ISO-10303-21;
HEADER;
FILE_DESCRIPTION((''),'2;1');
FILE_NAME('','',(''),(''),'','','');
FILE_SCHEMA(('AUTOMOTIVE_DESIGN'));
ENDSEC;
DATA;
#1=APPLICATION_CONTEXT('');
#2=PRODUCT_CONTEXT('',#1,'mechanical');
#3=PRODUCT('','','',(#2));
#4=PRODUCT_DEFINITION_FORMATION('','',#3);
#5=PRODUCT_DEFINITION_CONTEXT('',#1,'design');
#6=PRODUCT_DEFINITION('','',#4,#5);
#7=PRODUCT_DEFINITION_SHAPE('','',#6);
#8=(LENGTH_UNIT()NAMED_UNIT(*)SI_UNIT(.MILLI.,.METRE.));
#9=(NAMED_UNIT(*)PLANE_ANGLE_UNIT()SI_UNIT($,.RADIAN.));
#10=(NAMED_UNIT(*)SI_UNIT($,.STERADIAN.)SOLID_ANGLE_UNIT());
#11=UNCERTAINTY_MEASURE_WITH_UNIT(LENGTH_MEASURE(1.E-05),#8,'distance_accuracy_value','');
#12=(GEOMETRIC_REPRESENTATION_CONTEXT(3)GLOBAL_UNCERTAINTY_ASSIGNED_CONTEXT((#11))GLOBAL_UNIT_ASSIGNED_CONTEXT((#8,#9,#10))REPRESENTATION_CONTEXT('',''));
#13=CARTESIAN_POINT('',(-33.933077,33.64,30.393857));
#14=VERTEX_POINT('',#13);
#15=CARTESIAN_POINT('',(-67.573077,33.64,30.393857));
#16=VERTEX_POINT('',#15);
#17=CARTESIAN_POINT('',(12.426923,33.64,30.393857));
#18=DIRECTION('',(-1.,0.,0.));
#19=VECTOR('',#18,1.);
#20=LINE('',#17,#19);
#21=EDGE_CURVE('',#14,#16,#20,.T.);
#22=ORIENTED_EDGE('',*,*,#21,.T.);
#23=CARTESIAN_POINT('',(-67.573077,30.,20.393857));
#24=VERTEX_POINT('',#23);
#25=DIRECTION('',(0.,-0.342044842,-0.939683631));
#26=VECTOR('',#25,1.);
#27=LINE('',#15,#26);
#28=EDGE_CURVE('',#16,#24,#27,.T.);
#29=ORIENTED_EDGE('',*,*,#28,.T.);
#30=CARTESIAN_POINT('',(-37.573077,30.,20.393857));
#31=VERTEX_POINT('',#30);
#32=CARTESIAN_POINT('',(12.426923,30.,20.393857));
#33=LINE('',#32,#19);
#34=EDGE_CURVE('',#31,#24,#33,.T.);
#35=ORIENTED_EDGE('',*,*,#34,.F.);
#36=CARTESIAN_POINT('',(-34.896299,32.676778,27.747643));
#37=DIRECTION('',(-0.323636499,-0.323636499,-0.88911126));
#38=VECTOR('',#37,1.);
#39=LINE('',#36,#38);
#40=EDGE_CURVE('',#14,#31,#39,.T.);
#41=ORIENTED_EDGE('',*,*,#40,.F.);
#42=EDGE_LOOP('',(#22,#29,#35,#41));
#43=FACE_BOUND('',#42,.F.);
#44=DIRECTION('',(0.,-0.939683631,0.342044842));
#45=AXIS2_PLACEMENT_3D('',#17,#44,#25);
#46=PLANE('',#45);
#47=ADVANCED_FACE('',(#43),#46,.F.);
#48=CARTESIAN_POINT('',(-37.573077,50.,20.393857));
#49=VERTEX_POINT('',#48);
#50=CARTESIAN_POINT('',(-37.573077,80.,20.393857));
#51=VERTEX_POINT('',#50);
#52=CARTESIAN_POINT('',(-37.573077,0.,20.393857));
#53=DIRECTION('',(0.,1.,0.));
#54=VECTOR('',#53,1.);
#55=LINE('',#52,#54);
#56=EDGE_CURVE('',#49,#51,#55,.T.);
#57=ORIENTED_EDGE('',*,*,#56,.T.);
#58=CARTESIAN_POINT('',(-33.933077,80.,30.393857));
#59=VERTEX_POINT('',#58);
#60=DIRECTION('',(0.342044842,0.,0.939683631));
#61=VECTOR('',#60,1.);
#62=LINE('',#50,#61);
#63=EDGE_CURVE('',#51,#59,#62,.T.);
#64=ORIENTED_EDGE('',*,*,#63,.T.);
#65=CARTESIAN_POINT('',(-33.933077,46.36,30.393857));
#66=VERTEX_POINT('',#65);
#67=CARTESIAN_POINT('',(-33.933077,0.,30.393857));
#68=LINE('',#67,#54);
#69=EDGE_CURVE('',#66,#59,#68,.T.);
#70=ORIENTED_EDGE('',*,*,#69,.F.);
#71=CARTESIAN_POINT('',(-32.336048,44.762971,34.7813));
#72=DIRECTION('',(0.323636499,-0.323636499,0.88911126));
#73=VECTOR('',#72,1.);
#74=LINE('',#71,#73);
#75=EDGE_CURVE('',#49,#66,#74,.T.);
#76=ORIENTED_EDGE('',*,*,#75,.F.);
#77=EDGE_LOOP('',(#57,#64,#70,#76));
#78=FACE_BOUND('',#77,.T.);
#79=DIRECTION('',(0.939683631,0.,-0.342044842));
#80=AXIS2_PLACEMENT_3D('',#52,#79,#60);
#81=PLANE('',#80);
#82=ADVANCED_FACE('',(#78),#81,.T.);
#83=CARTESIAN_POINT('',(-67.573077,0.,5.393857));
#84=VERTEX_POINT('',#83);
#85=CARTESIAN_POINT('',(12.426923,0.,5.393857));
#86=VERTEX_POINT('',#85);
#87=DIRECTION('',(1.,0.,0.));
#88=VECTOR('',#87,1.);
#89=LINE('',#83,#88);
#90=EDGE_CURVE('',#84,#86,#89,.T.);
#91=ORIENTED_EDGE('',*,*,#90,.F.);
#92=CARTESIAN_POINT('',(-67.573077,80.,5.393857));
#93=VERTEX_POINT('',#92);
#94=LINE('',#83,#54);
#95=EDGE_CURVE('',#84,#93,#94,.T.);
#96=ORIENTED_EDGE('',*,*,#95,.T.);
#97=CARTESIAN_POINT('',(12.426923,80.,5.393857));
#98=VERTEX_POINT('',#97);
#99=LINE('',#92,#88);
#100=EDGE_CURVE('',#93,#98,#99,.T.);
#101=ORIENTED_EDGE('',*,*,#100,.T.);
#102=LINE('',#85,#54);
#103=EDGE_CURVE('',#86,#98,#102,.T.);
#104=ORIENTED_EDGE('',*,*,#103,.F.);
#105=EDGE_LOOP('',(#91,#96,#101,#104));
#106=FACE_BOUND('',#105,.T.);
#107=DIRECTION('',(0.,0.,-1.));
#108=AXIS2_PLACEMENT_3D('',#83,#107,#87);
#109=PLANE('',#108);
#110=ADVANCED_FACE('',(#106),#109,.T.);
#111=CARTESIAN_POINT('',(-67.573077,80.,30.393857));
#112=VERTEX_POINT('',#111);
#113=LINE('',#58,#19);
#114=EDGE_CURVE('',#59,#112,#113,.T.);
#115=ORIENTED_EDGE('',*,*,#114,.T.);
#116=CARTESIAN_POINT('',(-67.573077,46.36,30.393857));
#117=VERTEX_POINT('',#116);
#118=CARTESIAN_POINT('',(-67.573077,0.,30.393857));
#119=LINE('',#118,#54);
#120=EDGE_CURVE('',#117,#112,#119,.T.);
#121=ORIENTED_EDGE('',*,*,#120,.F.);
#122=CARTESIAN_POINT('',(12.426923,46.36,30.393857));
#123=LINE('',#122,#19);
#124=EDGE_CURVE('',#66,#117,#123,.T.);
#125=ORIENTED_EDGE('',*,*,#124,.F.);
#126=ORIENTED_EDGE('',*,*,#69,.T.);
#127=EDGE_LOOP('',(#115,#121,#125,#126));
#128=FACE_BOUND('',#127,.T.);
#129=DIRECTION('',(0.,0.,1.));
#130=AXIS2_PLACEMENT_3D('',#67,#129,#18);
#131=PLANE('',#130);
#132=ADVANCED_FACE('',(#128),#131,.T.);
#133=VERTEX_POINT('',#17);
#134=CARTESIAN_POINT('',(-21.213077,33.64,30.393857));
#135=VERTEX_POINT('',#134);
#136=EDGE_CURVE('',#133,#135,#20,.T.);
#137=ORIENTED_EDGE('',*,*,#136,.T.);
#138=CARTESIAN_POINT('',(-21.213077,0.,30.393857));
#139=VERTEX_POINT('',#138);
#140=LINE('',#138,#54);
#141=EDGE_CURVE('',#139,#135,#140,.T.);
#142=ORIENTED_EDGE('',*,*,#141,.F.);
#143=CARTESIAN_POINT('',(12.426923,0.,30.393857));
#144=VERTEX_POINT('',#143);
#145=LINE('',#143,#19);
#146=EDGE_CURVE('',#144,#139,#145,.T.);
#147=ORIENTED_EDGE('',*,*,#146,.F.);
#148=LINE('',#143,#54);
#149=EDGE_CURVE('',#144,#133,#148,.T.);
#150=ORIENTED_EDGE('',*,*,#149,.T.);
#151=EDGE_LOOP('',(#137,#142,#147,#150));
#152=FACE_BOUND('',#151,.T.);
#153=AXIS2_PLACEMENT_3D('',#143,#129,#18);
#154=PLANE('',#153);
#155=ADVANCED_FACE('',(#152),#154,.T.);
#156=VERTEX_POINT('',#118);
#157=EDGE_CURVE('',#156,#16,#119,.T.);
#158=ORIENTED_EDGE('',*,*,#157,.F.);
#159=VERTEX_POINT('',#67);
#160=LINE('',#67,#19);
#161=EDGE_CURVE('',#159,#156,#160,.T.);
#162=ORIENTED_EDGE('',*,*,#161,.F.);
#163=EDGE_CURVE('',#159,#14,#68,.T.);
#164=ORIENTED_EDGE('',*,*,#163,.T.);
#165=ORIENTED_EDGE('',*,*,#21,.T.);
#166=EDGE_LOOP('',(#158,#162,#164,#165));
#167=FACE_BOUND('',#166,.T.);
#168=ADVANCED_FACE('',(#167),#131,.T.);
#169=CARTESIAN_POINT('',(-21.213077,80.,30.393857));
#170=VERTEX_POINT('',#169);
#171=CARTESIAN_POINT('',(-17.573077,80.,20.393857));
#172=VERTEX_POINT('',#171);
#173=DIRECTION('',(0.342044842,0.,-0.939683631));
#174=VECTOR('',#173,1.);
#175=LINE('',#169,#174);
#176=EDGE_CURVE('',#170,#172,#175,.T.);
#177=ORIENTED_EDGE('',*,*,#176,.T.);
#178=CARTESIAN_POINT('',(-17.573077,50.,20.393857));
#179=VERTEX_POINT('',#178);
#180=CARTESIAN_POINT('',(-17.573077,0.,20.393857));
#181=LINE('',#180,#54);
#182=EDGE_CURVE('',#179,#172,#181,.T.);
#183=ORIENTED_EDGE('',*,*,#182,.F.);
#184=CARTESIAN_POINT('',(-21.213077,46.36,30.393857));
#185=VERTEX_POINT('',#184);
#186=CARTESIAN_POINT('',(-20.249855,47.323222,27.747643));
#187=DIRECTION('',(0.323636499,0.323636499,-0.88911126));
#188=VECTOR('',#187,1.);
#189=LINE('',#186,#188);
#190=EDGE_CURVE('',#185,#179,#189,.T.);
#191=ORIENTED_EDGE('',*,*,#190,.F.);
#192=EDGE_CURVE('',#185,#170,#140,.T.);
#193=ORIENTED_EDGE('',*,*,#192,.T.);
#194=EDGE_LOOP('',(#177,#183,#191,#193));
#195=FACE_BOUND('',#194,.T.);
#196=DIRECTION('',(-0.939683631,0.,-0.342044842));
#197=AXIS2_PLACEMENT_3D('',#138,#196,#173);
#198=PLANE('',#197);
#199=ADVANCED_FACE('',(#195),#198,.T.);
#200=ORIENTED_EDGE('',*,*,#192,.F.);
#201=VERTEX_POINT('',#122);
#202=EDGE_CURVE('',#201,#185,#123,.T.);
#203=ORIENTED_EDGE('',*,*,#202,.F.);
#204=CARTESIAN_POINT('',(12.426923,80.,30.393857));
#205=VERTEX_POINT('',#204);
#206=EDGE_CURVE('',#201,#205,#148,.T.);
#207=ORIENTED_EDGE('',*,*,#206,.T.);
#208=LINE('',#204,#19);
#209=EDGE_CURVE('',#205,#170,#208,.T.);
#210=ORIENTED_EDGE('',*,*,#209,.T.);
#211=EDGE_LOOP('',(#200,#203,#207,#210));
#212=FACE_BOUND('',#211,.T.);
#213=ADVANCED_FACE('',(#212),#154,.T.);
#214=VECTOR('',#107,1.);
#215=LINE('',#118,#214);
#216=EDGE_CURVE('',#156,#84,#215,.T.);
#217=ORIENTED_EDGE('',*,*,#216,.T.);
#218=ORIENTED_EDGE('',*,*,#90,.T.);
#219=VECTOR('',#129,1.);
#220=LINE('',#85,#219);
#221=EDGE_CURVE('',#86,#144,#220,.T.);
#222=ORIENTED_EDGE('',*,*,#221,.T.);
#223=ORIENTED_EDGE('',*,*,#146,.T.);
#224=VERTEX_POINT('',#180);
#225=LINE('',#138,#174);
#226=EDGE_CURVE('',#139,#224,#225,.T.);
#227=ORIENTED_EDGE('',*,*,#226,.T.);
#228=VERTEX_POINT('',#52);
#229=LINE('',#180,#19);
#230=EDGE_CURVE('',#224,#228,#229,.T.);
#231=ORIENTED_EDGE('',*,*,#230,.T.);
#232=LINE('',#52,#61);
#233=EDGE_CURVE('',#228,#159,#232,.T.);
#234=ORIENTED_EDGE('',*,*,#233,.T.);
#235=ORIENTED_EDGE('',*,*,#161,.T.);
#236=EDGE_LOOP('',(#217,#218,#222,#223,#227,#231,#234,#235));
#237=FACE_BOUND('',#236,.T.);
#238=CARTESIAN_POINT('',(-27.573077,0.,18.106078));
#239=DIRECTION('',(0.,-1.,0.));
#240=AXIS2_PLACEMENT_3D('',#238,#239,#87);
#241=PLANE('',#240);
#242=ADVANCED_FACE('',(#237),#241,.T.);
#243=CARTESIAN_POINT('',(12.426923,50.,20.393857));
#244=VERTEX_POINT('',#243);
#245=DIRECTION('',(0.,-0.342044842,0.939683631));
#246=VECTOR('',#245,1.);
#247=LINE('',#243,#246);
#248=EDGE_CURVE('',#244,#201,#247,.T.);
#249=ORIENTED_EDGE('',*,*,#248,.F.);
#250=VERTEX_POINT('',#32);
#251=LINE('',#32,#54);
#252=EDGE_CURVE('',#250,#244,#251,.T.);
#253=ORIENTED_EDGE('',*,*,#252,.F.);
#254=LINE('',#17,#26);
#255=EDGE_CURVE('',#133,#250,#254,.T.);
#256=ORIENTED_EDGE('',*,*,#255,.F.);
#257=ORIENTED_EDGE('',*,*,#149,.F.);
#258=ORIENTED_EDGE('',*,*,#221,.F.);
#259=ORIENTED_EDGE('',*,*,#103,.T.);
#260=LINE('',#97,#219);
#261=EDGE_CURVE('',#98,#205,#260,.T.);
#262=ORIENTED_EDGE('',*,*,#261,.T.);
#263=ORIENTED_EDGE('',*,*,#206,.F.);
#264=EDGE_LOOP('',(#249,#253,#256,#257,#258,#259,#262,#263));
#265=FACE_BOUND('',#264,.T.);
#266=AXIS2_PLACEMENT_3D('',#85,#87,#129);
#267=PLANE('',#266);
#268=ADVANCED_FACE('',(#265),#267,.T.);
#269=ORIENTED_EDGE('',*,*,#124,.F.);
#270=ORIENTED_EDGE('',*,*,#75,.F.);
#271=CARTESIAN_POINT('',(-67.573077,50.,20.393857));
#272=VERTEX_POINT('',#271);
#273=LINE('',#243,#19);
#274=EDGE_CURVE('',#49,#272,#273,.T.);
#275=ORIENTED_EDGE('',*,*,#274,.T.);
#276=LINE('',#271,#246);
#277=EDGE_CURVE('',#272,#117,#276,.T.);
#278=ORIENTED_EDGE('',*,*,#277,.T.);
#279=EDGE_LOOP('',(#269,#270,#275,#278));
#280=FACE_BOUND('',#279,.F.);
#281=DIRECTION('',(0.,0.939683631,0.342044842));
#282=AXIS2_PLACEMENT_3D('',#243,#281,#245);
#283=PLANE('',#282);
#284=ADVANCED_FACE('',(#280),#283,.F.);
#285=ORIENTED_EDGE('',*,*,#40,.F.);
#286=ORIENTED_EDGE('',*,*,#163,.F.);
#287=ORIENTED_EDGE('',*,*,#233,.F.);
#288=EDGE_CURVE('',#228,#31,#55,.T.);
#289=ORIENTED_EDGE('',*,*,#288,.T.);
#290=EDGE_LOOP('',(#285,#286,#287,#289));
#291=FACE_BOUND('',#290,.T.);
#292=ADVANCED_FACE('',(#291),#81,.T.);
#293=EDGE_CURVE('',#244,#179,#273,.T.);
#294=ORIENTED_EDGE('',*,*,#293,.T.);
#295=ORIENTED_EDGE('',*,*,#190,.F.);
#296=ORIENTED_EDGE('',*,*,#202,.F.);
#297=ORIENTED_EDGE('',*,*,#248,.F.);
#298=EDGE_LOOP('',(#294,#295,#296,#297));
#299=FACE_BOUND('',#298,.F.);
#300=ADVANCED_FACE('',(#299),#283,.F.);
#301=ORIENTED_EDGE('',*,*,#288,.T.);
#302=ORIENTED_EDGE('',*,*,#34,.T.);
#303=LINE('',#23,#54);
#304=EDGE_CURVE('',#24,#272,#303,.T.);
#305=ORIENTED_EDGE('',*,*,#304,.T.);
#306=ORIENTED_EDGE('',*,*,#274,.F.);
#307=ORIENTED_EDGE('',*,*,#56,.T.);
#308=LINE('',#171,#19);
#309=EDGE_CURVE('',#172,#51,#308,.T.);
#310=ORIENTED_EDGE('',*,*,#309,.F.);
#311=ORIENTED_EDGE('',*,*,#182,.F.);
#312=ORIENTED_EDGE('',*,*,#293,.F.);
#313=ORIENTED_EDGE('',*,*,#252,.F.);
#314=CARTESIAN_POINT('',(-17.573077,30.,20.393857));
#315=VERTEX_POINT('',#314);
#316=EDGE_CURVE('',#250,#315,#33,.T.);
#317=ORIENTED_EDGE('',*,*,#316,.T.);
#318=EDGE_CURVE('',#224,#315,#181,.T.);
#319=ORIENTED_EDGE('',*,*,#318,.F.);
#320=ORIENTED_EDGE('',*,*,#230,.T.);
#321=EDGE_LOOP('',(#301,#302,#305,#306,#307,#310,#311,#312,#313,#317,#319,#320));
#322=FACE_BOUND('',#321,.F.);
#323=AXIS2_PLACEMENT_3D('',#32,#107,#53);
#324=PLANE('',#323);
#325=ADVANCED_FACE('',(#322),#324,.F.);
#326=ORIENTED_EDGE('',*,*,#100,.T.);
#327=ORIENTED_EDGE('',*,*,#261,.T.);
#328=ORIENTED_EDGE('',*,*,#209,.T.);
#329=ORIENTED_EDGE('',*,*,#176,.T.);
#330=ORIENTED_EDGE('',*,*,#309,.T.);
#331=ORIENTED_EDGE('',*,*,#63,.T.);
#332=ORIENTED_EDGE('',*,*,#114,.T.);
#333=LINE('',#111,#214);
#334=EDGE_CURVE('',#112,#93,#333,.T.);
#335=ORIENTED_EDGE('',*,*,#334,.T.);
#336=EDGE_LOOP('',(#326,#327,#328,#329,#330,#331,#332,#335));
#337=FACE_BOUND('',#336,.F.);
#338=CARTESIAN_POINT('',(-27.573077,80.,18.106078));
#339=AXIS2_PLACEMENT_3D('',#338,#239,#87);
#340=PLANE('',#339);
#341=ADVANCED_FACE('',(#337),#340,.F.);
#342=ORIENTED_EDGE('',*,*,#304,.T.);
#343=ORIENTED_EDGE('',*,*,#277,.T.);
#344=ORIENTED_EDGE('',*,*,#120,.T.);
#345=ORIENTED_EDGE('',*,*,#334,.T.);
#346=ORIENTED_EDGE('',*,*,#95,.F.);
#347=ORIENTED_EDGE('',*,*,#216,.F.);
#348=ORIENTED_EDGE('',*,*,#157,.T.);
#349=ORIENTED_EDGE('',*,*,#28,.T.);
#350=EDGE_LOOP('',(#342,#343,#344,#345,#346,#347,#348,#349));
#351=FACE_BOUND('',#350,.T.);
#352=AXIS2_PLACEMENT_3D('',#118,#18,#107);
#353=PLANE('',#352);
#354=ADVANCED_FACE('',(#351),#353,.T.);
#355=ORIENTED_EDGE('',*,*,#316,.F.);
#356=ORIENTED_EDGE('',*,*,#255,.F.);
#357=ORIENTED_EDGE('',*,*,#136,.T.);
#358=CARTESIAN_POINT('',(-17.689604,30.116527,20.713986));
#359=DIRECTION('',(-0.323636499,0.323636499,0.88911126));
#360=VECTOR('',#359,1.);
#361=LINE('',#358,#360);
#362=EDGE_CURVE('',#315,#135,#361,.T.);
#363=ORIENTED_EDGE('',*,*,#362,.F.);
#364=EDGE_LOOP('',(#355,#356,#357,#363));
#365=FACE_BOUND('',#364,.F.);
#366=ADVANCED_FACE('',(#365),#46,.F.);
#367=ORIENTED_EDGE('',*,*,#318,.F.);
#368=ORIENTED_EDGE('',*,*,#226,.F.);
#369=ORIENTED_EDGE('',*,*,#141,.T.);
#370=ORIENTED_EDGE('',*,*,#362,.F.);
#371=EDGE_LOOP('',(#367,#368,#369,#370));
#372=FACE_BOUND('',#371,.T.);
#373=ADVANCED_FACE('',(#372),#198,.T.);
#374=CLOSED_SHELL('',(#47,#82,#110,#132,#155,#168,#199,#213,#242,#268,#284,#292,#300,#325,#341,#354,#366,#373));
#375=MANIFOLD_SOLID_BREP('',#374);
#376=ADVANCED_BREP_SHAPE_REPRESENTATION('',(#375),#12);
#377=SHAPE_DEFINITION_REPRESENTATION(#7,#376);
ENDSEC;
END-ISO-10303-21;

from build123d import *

# Parameters (mm, degrees)
F1_DEPTH = 80
F3_DEPTH = 80


with BuildPart() as f1:
    # F0 (on Front) → F1 (new body)
    with BuildSketch(Plane.XZ):
        Polygon((-67.573077, 5.393857), (12.426923, 5.393857), (12.426923, 30.393857), (-21.213077, 30.393857), (-17.573077, 20.393857), (-37.573077, 20.393857), (-33.933077, 30.393857), (-67.573077, 30.393857), align=None)
    extrude(amount=-F1_DEPTH)

    # F2 (on face) → F3 (cut)
    with BuildSketch(Plane.YZ.offset(12.426923)):
        Polygon((33.64, 30.393857), (30, 20.393857), (50, 20.393857), (46.36, 30.393857), align=None)
    extrude(amount=-F3_DEPTH, mode=Mode.SUBTRACT)


solid = f1.part
